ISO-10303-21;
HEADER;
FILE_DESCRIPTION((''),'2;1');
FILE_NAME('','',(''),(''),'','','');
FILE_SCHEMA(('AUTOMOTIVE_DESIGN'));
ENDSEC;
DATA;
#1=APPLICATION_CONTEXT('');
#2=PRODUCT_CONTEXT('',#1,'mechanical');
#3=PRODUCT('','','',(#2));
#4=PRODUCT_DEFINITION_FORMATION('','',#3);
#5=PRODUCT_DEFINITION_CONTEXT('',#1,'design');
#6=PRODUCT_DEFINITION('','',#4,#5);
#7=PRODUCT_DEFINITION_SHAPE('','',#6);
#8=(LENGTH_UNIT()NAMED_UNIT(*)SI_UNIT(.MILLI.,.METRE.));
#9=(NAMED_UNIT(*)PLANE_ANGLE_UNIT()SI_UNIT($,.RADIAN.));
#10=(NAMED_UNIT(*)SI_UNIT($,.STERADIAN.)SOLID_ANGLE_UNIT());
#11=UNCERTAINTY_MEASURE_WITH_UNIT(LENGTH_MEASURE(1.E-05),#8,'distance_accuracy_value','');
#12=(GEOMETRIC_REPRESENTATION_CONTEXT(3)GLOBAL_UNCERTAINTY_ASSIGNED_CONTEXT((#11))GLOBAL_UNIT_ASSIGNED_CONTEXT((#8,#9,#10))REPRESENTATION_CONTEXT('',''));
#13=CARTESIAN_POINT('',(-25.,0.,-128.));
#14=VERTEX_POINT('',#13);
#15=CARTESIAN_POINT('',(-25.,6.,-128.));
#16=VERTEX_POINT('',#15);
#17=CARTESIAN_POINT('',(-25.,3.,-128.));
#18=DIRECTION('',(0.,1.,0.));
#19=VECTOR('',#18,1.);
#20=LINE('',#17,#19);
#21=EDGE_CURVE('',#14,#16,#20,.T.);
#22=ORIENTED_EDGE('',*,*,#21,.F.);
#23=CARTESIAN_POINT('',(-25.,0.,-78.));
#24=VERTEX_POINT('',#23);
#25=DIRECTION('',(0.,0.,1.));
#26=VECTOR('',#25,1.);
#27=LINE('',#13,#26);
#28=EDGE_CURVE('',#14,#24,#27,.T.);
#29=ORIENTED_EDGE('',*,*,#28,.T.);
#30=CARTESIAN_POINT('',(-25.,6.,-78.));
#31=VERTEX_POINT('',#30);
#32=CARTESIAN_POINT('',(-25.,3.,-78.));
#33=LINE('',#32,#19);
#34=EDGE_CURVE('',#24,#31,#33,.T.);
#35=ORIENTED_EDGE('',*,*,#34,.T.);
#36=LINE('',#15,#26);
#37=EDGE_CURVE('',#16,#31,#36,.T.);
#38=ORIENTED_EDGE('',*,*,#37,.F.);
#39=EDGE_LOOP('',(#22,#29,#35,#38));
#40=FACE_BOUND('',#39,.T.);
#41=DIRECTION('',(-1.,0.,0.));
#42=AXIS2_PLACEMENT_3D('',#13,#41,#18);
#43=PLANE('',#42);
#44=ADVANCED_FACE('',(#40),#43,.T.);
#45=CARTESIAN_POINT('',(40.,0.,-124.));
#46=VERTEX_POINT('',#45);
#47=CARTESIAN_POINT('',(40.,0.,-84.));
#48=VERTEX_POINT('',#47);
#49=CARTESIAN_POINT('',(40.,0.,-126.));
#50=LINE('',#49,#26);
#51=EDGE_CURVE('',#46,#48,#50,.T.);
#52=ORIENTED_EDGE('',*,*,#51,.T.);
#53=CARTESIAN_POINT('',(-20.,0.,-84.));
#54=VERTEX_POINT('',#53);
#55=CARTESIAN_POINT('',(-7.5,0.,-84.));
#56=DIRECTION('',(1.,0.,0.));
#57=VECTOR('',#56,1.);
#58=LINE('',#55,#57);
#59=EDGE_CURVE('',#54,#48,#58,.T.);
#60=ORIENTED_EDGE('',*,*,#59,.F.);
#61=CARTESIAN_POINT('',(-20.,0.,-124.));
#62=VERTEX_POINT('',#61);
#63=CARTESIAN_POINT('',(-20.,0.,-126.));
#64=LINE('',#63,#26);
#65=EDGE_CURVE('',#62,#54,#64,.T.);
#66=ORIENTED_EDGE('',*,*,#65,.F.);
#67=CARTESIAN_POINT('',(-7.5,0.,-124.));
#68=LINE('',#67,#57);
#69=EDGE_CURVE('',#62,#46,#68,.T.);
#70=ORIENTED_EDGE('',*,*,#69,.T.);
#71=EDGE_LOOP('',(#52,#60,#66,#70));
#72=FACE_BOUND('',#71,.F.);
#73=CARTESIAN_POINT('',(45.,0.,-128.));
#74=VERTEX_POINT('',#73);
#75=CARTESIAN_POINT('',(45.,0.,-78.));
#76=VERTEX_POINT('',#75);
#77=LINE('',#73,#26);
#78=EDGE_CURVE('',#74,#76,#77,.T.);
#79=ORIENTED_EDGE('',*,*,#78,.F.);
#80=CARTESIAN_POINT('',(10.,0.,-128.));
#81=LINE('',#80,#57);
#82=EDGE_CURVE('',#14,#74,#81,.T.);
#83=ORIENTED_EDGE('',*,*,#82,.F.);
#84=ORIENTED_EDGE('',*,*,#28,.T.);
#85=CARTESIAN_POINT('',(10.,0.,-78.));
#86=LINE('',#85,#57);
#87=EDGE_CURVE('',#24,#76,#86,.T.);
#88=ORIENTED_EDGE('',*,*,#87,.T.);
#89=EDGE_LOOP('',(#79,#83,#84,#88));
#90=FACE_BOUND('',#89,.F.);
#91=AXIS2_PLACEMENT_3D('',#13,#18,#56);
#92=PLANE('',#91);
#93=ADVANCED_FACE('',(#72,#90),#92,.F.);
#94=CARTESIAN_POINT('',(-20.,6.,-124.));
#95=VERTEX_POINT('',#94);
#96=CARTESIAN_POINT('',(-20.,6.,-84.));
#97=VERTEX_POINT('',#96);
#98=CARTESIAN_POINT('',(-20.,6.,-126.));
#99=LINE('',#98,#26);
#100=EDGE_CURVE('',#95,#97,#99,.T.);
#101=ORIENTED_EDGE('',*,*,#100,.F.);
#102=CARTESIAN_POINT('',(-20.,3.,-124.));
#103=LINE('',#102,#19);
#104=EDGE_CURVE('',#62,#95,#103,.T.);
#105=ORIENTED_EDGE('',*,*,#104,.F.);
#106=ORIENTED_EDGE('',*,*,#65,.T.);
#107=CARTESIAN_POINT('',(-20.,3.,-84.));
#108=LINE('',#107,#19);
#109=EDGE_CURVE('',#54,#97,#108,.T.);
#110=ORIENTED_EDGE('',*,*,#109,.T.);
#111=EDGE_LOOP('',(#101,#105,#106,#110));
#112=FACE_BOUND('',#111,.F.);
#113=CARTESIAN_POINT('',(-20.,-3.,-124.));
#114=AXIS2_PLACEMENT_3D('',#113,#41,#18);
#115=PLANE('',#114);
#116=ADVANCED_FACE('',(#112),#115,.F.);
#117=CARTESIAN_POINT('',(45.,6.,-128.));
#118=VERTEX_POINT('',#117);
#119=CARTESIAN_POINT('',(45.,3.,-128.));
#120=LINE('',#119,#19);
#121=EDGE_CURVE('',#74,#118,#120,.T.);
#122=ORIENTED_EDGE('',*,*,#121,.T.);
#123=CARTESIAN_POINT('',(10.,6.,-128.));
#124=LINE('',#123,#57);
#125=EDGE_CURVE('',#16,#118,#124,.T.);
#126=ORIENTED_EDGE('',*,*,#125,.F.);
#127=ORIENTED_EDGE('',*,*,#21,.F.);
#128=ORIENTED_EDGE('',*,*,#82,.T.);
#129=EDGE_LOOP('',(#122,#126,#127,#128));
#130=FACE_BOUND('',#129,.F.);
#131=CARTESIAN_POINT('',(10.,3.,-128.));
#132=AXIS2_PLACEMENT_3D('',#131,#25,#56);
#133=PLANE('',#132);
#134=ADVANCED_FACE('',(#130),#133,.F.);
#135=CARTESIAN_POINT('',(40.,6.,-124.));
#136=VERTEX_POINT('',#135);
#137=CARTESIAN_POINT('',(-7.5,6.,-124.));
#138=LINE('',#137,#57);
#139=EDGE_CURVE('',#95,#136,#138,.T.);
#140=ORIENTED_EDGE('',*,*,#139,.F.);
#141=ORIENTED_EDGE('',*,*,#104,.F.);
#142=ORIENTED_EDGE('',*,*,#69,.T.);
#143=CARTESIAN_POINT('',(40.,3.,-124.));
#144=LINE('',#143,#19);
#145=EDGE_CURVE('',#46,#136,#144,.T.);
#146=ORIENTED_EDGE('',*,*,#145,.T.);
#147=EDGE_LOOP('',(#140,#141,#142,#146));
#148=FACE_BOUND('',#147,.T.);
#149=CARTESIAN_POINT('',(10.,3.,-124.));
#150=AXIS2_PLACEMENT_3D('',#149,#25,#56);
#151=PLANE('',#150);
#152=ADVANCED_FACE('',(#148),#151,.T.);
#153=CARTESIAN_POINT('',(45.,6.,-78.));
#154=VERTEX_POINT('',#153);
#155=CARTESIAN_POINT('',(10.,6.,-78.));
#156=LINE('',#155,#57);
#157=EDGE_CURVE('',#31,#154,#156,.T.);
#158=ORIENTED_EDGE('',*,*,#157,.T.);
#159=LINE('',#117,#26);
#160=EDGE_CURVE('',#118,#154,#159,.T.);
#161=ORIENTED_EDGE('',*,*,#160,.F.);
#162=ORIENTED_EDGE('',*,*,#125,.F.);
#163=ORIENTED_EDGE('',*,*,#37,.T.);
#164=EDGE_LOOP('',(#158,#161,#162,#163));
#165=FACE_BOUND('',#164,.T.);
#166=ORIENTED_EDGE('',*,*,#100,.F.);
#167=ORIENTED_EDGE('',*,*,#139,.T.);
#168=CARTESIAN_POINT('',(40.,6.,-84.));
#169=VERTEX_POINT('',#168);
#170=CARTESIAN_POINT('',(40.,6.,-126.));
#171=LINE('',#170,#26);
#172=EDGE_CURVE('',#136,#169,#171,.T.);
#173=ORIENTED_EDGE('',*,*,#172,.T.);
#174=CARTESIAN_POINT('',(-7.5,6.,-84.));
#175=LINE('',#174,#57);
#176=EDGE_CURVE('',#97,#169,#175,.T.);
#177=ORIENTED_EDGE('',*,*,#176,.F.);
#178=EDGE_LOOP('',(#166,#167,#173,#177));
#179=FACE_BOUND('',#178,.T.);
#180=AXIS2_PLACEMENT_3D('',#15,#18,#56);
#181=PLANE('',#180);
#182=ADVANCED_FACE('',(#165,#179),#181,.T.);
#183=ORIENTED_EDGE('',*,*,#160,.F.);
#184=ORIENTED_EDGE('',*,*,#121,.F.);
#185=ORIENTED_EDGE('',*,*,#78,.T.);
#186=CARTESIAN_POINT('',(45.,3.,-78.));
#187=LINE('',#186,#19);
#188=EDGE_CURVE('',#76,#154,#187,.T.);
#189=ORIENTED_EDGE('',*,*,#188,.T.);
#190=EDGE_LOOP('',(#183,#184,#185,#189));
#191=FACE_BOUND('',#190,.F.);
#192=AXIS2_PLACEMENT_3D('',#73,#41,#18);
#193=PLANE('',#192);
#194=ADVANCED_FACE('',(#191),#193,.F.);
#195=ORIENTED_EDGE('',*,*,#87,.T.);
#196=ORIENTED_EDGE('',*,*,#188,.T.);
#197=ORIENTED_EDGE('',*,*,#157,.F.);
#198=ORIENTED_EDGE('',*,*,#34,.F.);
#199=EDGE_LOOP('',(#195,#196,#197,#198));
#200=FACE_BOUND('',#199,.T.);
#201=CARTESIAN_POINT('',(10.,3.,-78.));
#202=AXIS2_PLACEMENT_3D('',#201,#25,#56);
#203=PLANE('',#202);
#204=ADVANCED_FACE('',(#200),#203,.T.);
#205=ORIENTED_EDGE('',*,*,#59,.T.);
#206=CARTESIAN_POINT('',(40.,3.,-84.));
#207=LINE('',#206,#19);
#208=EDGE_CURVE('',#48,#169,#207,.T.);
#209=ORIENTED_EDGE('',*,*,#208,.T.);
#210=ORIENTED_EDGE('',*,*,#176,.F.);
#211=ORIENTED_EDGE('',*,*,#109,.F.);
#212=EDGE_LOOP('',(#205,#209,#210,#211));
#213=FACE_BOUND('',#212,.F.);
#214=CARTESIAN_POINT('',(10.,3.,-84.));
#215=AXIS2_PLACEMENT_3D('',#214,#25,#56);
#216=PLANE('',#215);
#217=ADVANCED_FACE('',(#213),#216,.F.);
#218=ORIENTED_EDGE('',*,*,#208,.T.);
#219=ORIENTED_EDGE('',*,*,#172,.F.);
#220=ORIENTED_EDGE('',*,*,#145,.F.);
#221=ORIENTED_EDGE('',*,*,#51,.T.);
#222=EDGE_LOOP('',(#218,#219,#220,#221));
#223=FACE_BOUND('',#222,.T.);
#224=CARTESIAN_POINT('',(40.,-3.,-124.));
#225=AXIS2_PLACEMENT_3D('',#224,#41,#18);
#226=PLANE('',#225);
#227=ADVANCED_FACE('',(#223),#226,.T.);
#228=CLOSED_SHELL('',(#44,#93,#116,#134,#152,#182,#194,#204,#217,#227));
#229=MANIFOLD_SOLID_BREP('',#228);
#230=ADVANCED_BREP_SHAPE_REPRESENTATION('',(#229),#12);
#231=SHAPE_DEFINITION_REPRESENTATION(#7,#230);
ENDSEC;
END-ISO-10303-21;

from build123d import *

# Parameters (mm, degrees)
BOX025_W     = 60
BOX025_H     = 12
BOX025_DEPTH = 40
BOX024_W     = 70
BOX024_H     = 6
BOX024_DEPTH = 50


with BuildPart() as cubo025:
    # Box025 → Box025 (new body)
    with BuildSketch(Plane(origin=(-14, -3, -127), x_dir=(1, 0, 0), z_dir=(0, 0, 1))):
        with Locations((30, 6)):
            Rectangle(BOX025_W, BOX025_H)
    extrude(amount=BOX025_DEPTH)


with BuildPart() as cut017:
    # Box024 → Box024 (new body)
    with BuildSketch(Plane(origin=(-19, 0, -131), x_dir=(1, 0, 0), z_dir=(0, 0, 1))):
        with Locations((35, 3)):
            Rectangle(BOX024_W, BOX024_H)
    extrude(amount=BOX024_DEPTH)

    # Cut017: cut Cubo025
    add(cubo025.part, mode=Mode.SUBTRACT)


with BuildPart() as cut017_1:
    # Cut017 placement: moved
    add(cut017.part.moved(Location((-6, 0, 3))))


solid = cut017_1.part
